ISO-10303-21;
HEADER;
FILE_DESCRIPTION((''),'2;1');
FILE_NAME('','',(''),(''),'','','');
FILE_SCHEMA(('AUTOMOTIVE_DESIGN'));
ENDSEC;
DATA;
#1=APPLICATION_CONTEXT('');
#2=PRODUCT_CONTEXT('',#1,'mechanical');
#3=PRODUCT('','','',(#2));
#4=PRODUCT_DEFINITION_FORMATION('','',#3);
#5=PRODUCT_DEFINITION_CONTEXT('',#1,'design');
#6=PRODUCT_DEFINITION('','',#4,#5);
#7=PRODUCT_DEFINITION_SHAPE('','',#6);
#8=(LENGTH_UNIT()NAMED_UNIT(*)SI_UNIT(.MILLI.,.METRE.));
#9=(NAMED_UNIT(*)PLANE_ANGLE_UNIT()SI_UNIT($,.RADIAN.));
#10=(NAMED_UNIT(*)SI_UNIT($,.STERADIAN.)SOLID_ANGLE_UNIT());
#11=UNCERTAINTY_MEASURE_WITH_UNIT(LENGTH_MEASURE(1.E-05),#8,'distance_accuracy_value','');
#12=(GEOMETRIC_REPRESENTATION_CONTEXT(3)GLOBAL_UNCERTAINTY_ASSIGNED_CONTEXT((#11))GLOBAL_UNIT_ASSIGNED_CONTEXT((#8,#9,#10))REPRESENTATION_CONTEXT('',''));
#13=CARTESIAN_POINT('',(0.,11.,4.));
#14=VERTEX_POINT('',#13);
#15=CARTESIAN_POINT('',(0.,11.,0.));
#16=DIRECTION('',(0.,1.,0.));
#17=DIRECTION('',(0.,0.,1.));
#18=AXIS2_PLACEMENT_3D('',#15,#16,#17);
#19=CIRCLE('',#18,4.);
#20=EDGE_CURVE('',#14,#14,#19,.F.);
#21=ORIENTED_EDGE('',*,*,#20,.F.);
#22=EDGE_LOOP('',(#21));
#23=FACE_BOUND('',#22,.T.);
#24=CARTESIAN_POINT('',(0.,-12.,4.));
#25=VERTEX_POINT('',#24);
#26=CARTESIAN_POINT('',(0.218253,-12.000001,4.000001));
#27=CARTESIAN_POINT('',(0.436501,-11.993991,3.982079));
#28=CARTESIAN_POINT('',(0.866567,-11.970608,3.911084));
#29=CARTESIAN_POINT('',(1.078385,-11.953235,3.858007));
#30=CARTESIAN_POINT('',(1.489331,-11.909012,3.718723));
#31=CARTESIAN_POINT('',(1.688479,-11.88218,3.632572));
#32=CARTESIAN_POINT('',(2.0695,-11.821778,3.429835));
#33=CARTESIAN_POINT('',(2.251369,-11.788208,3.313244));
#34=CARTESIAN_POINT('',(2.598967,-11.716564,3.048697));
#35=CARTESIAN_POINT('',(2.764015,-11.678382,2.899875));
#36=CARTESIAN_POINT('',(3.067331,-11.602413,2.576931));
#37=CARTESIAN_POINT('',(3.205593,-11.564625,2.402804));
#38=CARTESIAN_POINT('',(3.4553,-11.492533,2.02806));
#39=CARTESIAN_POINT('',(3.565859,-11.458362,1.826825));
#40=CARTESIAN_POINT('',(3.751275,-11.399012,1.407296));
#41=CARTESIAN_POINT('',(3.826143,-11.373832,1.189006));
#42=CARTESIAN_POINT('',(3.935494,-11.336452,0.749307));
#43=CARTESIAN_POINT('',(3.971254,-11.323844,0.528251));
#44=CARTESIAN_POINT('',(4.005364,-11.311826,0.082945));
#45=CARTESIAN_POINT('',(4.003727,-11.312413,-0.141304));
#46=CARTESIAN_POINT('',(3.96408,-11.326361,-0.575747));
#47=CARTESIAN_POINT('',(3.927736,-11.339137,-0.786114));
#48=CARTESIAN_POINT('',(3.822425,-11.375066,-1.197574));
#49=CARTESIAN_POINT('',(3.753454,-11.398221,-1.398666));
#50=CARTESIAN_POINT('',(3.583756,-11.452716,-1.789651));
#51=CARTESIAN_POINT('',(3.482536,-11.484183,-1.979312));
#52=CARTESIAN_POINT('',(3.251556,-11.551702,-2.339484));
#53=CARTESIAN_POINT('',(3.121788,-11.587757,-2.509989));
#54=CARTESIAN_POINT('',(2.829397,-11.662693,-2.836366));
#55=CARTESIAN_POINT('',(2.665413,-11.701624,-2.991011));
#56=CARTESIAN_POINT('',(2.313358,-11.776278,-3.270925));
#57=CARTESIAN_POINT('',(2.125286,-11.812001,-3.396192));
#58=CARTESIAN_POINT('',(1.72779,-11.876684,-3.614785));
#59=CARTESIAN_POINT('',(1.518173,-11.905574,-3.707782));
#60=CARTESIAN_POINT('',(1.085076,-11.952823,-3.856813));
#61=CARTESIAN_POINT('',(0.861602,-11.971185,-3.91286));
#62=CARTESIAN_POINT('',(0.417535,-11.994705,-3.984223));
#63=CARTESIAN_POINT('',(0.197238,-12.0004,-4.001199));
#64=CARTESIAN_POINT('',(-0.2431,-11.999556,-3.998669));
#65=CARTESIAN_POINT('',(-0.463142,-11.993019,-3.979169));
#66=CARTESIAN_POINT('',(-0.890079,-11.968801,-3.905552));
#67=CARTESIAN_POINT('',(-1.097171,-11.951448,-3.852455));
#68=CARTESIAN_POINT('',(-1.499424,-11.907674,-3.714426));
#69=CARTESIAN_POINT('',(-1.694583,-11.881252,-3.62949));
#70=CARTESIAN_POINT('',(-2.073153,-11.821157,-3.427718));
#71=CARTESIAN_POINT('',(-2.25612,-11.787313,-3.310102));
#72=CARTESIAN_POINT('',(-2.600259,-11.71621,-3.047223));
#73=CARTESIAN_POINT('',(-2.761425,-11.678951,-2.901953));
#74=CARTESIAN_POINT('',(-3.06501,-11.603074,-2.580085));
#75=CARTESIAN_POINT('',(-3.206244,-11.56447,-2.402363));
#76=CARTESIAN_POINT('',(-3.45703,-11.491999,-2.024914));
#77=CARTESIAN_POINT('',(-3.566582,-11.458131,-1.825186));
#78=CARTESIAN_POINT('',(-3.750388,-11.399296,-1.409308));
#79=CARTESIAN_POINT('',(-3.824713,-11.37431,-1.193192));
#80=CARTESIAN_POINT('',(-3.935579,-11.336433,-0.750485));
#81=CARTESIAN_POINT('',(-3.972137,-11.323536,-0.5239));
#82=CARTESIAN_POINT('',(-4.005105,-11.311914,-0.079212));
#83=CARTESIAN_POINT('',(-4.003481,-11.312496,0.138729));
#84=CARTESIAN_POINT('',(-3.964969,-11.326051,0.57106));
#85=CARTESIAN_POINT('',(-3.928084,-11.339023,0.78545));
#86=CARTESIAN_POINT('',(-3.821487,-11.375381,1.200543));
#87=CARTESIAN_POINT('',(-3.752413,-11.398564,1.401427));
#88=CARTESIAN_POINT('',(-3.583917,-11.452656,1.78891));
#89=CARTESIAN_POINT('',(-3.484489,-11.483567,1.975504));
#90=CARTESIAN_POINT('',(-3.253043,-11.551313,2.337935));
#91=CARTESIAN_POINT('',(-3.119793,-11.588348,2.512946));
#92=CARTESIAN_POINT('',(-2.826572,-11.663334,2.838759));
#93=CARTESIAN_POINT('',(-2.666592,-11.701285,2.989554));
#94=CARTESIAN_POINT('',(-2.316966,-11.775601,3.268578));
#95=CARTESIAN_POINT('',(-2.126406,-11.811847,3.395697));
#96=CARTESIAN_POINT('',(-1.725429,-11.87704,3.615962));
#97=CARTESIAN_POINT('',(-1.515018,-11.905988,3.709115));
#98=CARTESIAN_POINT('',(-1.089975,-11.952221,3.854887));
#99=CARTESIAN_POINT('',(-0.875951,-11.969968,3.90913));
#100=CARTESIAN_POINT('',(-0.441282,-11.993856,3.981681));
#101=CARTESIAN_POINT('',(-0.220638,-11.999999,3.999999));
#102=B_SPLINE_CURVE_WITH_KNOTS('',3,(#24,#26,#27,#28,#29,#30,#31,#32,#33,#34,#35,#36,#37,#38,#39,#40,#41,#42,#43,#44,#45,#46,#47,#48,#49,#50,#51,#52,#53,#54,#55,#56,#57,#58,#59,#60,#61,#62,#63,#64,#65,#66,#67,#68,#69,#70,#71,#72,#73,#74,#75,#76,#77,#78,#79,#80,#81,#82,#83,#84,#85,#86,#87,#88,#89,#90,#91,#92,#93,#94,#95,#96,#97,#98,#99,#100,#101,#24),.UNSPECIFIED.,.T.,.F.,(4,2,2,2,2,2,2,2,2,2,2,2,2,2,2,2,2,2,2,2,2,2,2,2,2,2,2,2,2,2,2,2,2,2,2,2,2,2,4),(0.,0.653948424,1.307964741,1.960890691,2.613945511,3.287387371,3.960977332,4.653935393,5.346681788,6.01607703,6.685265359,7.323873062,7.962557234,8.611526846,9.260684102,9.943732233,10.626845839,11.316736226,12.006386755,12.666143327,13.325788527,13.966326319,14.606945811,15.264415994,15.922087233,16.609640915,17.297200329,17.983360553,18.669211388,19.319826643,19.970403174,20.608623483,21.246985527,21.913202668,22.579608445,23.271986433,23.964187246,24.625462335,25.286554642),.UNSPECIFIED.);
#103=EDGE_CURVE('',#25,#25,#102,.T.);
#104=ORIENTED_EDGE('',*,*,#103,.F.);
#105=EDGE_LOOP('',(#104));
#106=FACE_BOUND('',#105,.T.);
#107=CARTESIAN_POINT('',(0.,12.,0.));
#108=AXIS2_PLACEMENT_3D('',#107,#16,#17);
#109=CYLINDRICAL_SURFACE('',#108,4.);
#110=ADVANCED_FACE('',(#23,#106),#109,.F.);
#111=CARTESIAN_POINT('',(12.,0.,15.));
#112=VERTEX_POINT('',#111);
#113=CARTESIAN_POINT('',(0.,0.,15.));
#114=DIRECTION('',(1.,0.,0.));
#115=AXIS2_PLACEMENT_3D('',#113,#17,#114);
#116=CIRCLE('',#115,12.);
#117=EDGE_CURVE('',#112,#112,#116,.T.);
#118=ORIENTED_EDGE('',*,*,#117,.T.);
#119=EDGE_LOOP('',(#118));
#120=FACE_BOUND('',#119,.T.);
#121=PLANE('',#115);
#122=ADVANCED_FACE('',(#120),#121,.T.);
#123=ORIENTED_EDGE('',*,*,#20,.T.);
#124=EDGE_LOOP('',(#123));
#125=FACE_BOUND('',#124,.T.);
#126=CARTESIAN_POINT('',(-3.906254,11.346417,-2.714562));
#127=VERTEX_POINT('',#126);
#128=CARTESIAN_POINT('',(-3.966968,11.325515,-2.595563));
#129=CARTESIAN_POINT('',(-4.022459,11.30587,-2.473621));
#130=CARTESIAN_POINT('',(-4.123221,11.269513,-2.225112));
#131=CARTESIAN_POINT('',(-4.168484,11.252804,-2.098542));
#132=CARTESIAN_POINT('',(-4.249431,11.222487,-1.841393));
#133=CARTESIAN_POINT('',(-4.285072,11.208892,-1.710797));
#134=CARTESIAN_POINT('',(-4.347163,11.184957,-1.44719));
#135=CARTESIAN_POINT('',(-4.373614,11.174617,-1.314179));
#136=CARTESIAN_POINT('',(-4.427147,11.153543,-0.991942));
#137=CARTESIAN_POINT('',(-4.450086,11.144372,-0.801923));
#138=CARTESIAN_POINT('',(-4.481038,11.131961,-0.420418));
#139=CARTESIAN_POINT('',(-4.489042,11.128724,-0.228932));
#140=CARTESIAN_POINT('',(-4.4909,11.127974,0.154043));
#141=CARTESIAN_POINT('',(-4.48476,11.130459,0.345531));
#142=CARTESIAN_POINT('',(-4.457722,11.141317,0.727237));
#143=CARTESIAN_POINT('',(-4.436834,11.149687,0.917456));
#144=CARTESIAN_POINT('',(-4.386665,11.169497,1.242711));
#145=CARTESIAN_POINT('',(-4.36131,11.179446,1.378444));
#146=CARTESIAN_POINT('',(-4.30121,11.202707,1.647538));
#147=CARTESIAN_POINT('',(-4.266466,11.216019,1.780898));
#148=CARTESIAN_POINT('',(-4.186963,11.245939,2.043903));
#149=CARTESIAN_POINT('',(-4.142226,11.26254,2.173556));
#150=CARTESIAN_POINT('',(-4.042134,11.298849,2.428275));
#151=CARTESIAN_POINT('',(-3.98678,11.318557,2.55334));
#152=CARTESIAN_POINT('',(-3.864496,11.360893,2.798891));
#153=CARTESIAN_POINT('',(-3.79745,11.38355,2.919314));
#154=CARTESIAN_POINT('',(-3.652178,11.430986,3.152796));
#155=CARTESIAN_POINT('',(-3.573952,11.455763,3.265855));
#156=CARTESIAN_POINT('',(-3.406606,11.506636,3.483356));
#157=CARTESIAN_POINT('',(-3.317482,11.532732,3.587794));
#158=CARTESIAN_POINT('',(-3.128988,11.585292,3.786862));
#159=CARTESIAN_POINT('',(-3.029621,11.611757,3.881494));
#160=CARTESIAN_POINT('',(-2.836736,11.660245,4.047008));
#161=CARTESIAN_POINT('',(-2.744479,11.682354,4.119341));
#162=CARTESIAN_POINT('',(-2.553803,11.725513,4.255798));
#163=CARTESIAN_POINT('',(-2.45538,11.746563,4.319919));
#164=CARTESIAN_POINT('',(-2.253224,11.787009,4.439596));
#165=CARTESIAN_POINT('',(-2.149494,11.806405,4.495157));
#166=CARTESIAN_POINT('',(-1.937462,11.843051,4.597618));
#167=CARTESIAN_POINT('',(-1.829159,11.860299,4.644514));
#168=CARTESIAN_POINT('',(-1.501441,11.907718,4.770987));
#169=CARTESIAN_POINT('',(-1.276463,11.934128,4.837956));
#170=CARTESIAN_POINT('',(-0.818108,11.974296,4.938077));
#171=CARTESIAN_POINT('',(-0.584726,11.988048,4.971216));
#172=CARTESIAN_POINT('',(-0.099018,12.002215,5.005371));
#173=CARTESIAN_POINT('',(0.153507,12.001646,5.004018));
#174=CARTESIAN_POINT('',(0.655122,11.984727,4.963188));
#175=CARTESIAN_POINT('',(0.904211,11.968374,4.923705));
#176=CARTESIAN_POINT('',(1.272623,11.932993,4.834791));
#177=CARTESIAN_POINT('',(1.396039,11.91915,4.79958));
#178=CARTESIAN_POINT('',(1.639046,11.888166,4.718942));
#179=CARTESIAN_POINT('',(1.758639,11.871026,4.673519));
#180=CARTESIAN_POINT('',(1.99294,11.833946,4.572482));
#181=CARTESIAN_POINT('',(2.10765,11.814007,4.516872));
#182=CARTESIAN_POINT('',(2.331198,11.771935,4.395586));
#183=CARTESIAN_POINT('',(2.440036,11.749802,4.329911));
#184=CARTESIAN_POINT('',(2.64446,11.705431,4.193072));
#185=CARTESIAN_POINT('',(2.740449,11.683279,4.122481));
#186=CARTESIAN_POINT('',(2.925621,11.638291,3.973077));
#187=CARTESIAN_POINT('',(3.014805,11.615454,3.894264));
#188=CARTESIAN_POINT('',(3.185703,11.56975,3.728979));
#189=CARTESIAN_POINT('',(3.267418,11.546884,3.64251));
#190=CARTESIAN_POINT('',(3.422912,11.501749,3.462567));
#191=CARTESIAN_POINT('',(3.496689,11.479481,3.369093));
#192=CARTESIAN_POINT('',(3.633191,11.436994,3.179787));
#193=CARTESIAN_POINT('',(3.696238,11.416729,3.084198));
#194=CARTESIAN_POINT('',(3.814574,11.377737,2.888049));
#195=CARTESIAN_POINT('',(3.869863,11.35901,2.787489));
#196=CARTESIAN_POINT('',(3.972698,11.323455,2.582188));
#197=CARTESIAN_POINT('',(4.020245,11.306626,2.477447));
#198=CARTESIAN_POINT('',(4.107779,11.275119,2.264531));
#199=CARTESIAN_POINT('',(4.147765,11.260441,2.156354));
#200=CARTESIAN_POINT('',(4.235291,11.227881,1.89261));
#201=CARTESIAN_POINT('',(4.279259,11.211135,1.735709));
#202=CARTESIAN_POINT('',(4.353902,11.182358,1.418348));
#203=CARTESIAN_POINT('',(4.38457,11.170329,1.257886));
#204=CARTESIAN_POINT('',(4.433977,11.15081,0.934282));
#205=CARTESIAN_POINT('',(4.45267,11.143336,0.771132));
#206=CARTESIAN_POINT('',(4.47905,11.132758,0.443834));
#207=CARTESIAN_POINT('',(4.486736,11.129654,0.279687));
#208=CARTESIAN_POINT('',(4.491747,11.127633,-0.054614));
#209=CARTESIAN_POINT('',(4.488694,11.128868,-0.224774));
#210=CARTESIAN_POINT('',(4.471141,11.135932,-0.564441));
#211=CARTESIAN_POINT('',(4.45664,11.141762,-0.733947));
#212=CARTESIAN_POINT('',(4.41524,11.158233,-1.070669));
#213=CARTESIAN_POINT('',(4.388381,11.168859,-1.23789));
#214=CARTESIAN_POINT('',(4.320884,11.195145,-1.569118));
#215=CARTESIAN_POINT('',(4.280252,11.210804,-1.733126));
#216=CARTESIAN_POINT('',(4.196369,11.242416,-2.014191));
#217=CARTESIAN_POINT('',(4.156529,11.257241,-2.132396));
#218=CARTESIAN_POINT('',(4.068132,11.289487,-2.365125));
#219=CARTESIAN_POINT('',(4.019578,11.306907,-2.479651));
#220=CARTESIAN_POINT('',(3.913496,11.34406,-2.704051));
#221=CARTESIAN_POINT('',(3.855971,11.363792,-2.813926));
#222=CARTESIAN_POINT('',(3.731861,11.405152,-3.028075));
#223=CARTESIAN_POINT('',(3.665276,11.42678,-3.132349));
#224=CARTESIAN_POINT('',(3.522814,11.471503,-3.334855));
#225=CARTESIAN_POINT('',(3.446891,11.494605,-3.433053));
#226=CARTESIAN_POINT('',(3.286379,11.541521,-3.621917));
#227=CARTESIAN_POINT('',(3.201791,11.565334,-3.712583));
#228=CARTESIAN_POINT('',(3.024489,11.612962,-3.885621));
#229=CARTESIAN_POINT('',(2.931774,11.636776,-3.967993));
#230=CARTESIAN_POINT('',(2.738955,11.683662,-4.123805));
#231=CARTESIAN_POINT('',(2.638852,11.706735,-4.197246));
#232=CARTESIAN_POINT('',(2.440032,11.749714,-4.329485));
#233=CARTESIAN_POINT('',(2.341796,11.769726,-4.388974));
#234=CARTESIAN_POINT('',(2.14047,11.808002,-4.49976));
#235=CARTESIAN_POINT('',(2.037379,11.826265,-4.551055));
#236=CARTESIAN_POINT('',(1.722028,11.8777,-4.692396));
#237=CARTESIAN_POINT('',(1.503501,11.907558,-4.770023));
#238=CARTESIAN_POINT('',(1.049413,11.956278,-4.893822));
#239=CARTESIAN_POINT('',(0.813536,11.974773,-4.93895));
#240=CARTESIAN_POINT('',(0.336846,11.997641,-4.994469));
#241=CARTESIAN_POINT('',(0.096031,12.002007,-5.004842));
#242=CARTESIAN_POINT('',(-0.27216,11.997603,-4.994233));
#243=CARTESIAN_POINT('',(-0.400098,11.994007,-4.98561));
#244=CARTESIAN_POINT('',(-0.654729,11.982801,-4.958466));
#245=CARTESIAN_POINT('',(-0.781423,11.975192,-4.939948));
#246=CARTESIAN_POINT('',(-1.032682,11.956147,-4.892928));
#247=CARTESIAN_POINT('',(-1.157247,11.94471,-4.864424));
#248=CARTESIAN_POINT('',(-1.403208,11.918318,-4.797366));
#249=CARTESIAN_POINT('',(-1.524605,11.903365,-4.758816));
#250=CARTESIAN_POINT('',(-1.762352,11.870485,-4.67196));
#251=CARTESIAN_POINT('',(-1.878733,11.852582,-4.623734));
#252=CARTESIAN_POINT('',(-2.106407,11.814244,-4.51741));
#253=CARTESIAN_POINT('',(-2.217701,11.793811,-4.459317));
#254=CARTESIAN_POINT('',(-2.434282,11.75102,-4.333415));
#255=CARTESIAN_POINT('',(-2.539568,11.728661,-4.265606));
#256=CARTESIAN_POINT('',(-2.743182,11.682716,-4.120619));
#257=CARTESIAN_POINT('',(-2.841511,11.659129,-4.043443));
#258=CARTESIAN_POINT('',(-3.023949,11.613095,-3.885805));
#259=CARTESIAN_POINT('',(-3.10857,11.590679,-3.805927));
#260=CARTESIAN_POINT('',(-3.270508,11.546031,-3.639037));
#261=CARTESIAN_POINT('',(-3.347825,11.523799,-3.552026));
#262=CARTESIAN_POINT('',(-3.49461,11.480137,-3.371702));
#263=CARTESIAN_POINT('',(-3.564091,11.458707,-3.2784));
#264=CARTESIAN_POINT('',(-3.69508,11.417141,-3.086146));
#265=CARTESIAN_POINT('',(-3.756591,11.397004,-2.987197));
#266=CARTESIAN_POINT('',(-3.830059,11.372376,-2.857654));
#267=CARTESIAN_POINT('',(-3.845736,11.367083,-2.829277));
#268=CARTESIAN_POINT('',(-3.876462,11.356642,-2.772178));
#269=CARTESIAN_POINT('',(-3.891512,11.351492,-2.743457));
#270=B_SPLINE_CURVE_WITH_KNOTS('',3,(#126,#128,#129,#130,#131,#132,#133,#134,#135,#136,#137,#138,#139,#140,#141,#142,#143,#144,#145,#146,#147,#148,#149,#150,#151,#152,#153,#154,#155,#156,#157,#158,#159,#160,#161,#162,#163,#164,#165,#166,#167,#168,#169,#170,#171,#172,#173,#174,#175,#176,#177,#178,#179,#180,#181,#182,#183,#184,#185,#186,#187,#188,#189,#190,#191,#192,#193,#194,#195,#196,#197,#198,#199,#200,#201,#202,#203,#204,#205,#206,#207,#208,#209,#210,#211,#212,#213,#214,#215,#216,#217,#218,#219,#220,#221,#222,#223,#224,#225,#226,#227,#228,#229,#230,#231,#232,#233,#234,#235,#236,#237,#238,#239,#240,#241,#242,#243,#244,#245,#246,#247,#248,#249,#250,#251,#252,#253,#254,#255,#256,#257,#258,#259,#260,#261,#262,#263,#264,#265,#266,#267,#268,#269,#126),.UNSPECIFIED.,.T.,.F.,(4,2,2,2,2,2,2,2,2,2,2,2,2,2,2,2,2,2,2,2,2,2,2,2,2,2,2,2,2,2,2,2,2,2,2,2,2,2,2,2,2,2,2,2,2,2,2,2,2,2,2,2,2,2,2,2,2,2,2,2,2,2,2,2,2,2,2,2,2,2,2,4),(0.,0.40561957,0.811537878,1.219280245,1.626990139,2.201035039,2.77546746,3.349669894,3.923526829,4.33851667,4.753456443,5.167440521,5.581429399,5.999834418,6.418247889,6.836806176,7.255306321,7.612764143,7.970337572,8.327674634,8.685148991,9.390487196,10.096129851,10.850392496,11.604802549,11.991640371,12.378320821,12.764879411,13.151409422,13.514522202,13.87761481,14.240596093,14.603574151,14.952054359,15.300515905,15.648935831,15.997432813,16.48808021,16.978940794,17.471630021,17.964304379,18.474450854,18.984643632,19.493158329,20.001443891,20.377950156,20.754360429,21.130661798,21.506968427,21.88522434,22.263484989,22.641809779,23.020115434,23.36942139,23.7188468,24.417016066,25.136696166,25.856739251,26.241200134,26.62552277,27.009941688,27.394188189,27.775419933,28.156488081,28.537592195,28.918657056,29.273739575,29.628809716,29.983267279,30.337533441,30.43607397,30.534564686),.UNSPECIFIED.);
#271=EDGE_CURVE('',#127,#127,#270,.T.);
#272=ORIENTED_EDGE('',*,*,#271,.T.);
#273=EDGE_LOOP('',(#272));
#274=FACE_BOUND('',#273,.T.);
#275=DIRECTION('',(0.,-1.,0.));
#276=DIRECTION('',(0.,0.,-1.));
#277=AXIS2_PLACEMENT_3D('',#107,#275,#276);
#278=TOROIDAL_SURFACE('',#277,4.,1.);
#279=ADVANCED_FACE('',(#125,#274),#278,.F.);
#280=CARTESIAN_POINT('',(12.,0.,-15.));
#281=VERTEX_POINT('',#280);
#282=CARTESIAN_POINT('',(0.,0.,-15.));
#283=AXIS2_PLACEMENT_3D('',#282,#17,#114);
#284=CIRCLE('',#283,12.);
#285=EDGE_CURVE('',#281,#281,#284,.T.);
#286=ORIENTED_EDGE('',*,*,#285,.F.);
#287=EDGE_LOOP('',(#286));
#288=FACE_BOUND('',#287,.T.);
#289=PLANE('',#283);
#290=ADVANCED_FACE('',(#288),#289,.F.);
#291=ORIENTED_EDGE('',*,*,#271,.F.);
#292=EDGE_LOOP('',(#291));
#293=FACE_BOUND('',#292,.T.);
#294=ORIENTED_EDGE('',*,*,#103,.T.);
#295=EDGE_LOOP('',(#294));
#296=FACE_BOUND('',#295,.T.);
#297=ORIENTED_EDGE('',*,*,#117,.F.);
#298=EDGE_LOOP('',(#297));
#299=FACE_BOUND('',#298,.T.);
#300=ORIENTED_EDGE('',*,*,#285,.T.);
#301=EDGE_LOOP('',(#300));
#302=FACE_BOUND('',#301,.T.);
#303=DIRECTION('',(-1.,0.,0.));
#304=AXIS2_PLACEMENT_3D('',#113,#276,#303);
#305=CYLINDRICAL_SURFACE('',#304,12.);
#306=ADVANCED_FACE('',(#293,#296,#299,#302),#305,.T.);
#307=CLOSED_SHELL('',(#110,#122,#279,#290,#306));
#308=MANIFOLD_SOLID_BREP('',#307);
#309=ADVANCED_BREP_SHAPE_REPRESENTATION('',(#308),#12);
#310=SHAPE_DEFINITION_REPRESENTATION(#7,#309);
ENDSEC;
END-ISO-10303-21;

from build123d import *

# Parameters (mm, degrees)
SZKIC1_R                    = 12
DODANIE_WYCI_GNI_CIE1_DEPTH = 15
OTW_R_8_0_8_1_D             = 8
SZKIC5_R                    = 1


with BuildPart() as part:
    # Szkic1 → Dodanie-wyci_gni_cie1 (new body, symmetric)
    with BuildSketch(Plane.XY):
        Circle(SZKIC1_R)
    extrude(amount=DODANIE_WYCI_GNI_CIE1_DEPTH, both=True)

    # Otw_r _8.0 _8_1 (through all)
    with Locations(Plane(origin=(0, 12, 0), x_dir=(1, 0, 0), z_dir=(0, 1, 0))):
        with Locations((0, 0)):
            Hole(OTW_R_8_0_8_1_D / 2)

    # Szkic5 → Wyci_cie-obr_t1 (revolve, cut)
    with BuildSketch(Plane(origin=(0, 0, 0), x_dir=(0, 0, -1), z_dir=(1, 0, 0))):
        with Locations((-4, 12)):
            Circle(SZKIC5_R)
    revolve(axis=Axis((0, -12, 0), (0, 1, 0)), mode=Mode.SUBTRACT)


solid = part.part
